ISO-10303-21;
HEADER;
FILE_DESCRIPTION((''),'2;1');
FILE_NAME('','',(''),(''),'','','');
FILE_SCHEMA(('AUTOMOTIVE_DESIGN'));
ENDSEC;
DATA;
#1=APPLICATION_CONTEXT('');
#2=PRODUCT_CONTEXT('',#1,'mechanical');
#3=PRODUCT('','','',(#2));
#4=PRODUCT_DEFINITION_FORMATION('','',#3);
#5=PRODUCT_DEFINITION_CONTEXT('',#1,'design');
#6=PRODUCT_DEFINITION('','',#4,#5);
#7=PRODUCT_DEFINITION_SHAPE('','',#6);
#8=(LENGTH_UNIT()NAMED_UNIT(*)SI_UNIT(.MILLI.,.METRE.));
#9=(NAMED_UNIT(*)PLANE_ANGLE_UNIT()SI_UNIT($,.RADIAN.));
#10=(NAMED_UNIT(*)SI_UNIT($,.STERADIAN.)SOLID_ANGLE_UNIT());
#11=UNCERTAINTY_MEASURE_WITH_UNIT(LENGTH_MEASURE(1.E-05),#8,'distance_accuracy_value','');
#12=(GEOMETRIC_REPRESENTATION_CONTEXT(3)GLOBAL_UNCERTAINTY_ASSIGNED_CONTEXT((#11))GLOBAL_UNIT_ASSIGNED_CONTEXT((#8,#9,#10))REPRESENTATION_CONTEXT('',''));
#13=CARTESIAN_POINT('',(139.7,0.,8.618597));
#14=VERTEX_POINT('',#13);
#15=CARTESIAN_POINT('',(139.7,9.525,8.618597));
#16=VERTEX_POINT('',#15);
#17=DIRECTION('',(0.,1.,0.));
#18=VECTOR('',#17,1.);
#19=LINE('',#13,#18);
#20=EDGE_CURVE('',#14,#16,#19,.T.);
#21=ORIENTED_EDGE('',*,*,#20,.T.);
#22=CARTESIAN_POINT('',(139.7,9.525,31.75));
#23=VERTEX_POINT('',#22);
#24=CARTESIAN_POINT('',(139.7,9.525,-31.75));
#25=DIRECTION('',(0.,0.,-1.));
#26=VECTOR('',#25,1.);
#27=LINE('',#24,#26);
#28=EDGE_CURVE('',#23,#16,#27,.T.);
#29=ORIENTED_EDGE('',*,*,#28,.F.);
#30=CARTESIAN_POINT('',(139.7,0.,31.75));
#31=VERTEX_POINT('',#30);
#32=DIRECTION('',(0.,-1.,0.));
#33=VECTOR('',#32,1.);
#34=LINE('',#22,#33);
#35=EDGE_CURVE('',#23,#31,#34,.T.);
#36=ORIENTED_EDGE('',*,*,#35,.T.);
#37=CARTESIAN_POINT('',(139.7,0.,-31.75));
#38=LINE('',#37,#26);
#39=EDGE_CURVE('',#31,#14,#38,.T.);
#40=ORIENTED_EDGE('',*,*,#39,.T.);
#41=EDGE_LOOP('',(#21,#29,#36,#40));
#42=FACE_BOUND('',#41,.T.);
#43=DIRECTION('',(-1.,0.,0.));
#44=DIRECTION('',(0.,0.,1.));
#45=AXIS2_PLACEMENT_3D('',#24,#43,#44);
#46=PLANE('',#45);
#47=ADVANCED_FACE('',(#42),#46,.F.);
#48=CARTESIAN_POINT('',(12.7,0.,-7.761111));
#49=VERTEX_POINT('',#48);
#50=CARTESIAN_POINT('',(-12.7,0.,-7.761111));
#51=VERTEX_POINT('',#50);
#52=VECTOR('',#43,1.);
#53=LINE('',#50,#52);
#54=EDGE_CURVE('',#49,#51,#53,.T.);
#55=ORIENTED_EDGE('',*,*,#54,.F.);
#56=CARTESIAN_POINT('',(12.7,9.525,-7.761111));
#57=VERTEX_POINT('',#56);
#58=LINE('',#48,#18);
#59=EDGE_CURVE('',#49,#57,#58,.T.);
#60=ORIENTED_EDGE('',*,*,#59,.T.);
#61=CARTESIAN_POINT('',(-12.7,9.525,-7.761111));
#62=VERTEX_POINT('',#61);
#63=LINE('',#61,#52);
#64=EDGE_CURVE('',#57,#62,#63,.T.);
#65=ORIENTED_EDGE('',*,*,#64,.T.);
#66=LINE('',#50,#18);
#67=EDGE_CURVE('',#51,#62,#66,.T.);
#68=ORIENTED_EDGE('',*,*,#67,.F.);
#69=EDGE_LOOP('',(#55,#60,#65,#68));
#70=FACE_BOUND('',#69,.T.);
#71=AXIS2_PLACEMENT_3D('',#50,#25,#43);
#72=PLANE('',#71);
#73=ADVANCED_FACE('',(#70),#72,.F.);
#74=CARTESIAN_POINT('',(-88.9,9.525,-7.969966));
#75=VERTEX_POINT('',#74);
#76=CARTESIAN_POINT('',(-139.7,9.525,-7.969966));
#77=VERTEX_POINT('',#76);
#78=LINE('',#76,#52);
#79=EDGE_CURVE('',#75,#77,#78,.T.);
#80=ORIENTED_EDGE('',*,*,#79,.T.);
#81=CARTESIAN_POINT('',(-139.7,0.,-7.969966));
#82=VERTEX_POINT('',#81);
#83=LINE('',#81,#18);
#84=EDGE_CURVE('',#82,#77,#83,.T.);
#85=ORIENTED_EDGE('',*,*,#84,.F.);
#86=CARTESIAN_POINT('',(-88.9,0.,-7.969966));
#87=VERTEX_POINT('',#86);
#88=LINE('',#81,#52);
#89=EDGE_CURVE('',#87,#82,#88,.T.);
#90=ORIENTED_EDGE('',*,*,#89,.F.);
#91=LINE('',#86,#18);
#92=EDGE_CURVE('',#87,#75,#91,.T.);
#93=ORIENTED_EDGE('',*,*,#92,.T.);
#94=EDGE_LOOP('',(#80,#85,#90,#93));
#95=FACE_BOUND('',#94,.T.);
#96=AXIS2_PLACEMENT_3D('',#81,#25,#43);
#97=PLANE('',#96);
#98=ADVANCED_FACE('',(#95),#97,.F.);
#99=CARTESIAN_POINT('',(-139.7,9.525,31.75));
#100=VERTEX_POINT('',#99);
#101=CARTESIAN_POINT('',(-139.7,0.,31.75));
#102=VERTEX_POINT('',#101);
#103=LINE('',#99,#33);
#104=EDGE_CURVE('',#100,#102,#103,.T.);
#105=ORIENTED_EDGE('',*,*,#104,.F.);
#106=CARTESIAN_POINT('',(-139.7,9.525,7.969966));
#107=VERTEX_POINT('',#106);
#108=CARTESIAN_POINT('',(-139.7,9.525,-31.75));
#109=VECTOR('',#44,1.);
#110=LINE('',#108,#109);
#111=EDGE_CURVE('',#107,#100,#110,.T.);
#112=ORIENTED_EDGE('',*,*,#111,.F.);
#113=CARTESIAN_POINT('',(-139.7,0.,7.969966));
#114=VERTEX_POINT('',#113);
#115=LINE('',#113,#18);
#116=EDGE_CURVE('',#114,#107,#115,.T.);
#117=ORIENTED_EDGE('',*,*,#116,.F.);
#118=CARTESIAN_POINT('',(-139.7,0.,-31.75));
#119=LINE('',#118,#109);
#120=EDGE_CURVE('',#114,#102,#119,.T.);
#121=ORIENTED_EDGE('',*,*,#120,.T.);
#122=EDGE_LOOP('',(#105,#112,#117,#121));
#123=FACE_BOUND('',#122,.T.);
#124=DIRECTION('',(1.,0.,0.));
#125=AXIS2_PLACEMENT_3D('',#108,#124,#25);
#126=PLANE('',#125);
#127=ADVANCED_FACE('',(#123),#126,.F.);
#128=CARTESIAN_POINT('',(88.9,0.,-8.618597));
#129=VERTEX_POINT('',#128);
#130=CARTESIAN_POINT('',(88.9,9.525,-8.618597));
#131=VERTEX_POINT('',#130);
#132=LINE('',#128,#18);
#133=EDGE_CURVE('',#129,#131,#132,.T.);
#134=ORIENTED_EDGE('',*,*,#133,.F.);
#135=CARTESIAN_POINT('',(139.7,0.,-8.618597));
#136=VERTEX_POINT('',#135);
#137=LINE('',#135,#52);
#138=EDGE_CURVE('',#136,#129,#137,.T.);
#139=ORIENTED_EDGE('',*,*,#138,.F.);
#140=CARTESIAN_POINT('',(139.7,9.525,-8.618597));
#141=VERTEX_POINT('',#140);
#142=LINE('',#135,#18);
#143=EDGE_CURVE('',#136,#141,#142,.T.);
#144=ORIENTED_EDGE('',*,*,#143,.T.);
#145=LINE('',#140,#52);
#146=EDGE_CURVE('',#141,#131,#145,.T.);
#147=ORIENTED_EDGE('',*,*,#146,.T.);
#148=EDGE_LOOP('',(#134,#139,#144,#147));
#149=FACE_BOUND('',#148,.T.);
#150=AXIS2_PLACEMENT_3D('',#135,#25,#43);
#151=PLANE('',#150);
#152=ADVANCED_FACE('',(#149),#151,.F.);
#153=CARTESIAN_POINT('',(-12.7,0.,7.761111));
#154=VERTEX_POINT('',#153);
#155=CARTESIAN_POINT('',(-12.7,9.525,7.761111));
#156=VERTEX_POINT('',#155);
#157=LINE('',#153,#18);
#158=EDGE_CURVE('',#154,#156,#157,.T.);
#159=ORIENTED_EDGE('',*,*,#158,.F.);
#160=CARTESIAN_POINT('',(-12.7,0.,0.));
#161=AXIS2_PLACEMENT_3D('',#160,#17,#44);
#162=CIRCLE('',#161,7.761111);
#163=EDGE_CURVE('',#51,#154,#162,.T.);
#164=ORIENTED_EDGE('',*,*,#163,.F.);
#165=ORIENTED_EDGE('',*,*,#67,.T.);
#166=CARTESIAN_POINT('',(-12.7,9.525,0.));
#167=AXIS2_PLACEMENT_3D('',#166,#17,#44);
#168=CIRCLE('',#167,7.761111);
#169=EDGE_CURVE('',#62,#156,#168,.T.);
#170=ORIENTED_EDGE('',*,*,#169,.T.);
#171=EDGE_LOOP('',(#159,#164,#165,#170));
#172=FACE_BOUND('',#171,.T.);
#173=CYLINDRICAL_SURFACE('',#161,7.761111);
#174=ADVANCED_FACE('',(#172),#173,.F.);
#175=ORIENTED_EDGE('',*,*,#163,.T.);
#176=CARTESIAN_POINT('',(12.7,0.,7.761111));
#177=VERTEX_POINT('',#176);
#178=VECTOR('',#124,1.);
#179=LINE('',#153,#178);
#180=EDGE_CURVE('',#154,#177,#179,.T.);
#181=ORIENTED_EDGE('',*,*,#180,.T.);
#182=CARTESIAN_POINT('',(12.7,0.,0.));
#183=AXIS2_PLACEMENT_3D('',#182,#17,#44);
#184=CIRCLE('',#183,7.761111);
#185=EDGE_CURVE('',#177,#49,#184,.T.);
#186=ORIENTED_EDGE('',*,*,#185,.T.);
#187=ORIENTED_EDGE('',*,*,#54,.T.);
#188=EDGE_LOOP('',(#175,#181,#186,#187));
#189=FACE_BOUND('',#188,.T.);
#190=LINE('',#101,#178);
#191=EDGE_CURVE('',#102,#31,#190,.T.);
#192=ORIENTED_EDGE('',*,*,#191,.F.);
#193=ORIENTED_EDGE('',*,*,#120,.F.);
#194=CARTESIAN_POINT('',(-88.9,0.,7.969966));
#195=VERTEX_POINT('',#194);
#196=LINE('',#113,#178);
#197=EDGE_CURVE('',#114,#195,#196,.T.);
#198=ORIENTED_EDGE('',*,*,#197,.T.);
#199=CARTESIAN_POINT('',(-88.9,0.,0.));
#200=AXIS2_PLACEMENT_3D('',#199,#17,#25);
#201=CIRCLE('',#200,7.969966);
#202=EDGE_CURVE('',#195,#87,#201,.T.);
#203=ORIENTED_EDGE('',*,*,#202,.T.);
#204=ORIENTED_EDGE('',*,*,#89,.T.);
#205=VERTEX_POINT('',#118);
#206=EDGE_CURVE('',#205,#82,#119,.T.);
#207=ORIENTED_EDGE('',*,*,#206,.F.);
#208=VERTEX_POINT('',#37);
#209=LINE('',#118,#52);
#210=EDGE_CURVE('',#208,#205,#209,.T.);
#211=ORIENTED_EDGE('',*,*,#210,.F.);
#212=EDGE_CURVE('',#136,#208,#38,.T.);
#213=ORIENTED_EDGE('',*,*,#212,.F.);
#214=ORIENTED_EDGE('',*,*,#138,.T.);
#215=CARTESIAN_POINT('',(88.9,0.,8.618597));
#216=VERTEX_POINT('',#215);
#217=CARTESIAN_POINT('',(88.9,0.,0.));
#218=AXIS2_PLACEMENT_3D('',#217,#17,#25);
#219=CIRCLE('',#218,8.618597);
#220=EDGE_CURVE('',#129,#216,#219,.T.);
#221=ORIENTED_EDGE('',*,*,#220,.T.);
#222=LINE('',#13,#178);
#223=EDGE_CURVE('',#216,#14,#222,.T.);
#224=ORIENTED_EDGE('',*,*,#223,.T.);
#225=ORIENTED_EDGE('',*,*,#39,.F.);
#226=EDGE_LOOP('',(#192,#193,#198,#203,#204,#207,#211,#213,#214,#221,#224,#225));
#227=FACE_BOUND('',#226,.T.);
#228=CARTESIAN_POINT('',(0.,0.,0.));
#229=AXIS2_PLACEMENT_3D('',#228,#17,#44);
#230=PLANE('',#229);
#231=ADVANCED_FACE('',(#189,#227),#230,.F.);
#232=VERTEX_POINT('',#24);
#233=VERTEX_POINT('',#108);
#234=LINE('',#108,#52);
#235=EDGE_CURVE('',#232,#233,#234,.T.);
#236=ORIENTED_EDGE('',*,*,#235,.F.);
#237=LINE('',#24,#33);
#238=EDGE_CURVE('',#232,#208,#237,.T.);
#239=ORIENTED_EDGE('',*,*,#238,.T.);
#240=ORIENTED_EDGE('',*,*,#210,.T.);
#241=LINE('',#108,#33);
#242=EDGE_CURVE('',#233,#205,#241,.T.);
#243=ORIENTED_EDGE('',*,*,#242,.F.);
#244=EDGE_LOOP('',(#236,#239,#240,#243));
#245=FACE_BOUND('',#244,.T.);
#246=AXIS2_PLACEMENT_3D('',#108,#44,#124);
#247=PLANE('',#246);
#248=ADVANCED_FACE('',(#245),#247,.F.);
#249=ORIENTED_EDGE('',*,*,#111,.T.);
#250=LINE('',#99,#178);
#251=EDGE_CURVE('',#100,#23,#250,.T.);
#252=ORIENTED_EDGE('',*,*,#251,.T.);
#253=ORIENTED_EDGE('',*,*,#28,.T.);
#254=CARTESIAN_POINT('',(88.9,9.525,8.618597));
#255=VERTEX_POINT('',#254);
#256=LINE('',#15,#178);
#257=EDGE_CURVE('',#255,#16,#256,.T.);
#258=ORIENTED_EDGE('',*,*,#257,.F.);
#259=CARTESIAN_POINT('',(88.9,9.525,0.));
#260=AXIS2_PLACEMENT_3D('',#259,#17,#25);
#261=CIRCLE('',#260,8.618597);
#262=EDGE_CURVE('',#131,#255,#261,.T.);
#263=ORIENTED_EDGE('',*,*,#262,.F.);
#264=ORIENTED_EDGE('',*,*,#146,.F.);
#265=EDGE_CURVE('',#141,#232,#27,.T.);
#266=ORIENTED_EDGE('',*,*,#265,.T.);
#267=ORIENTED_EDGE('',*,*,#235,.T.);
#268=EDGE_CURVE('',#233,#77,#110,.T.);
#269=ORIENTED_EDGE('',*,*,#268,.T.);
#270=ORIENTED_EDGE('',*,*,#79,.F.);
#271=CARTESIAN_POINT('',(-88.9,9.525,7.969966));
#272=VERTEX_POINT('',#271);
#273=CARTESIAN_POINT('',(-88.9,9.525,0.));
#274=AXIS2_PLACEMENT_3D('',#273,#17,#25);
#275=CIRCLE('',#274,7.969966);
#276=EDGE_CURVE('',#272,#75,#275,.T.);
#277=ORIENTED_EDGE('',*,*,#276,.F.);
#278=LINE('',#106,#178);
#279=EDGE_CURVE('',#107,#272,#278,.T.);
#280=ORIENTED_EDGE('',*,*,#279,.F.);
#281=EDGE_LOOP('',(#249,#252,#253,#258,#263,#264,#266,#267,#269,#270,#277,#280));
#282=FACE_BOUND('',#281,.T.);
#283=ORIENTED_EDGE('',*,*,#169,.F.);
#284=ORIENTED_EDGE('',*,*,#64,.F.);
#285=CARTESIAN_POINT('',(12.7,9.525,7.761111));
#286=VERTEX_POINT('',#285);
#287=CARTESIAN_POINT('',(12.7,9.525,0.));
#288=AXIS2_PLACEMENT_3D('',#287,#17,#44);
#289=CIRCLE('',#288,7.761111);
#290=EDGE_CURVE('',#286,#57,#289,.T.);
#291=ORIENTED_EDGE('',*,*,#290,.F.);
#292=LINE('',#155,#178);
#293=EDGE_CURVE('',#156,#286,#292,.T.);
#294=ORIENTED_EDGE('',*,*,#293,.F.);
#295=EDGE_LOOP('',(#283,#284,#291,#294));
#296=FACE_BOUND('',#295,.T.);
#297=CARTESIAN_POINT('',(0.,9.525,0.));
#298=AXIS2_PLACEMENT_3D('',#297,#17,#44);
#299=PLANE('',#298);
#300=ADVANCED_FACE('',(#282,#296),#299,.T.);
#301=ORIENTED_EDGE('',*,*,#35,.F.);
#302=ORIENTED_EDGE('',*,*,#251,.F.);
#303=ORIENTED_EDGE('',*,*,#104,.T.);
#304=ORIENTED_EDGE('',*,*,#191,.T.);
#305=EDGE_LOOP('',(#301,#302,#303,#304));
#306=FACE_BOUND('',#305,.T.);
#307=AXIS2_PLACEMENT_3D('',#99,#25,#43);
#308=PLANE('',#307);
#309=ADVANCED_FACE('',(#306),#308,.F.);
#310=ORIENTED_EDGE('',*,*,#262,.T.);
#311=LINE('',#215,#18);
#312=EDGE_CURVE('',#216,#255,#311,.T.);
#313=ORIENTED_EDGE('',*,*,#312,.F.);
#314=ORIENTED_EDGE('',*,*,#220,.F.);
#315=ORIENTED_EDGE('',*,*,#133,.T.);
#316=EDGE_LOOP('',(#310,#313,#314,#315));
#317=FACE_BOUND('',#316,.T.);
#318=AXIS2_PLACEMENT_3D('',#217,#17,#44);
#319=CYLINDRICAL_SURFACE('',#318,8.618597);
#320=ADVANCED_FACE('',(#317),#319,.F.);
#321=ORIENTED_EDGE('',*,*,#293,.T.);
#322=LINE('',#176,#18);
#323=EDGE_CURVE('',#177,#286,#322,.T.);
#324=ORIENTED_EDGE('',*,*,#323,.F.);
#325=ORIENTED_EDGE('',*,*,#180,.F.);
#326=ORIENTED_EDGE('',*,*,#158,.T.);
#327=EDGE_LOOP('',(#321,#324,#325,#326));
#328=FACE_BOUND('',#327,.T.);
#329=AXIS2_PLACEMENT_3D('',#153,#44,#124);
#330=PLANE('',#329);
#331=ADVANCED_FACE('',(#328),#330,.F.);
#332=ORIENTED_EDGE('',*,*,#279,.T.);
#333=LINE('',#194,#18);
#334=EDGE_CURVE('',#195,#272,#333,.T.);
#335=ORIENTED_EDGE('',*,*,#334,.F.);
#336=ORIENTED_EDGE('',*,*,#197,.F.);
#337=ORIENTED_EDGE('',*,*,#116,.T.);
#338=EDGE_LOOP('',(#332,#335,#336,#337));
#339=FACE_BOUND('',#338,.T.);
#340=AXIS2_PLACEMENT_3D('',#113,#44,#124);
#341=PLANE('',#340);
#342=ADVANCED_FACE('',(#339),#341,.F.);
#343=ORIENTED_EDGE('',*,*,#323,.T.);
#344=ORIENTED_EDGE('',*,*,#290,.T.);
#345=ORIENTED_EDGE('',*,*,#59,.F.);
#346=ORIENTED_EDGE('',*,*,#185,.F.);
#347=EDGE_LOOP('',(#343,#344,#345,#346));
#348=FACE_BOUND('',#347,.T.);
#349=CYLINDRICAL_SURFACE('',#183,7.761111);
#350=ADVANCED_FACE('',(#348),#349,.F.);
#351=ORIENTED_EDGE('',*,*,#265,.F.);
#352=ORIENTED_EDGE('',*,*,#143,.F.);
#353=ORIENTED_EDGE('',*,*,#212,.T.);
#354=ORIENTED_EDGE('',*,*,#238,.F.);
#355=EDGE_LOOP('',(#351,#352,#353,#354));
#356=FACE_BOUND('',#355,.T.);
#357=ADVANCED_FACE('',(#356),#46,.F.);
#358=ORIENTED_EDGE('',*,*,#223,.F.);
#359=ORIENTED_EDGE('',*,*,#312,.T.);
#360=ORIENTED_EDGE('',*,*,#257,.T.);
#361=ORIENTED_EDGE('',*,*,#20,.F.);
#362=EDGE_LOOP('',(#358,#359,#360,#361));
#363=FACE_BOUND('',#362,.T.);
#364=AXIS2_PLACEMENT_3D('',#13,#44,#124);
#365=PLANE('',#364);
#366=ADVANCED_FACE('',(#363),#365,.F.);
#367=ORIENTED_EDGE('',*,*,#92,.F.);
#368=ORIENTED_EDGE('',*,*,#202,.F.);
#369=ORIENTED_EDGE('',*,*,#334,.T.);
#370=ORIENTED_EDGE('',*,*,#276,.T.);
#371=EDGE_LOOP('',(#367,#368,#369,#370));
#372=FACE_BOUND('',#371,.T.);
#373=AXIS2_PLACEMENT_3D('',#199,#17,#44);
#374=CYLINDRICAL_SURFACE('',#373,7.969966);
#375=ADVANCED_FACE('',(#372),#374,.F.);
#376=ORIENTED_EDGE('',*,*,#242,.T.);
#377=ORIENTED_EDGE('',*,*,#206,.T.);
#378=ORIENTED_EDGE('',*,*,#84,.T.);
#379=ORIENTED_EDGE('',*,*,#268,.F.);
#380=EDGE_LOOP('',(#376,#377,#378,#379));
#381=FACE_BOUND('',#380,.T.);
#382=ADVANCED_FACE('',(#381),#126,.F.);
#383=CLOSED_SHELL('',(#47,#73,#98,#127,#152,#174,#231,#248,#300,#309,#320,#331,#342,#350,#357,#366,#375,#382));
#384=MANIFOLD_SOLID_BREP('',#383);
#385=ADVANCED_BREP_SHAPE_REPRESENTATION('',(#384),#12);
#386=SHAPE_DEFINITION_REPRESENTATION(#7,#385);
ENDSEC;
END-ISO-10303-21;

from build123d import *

# Parameters (mm, degrees)
SKETCH1_W           = 279.4
SKETCH1_H           = 63.5
BOSS_EXTRUDE1_DEPTH = 9.525
CUT_EXTRUDE5_DEPTH  = 10.525
CUT_EXTRUDE7_DEPTH  = 10.525
CUT_EXTRUDE8_DEPTH  = 10.525


with BuildPart() as part:
    # Sketch1 → Boss-Extrude1 (new body)
    with BuildSketch(Plane(origin=(0, 0, 0), x_dir=(1, 0, 0), z_dir=(0, 1, 0))):
        Rectangle(SKETCH1_W, SKETCH1_H)
    extrude(amount=BOSS_EXTRUDE1_DEPTH)

    # Sketch9 → Cut-Extrude5 (cut, through all)
    with BuildSketch(Plane(origin=(0, 9.525, 0), x_dir=(1, 0, 0), z_dir=(0, 1, 0))):
        with BuildLine():
            Line((-139.7, 7.969965865), (-88.9, 7.969965865))
            ThreePointArc((-88.9, 7.969965865), (-80.930034135, 0), (-88.9, -7.969965865))
            Line((-88.9, -7.969965865), (-139.7, -7.969965865))
            Line((-139.7, -7.969965865), (-139.7, 7.969965865))
        make_face()
    extrude(amount=-CUT_EXTRUDE5_DEPTH, mode=Mode.SUBTRACT)

    # Sketch12 → Cut-Extrude7 (cut, through all)
    with BuildSketch(Plane(origin=(0, 9.525, 0), x_dir=(1, 0, 0), z_dir=(0, 1, 0))):
        with BuildLine():
            Line((139.7, -8.618596636), (88.9, -8.618596636))
            ThreePointArc((88.9, -8.618596636), (80.281403364, 0), (88.9, 8.618596636))
            Line((88.9, 8.618596636), (139.7, 8.618596636))
            Line((139.7, 8.618596636), (139.7, -8.618596636))
        make_face()
    extrude(amount=-CUT_EXTRUDE7_DEPTH, mode=Mode.SUBTRACT)

    # Sketch13 → Cut-Extrude8 (cut, through all)
    with BuildSketch(Plane(origin=(0, 9.525, 0), x_dir=(1, 0, 0), z_dir=(0, 1, 0))):
        with BuildLine():
            Line((-12.7, 7.761111111), (12.7, 7.761111111))
            ThreePointArc((12.7, 7.761111111), (20.461111111, 0), (12.7, -7.761111111))
            Line((12.7, -7.761111111), (-12.7, -7.761111111))
            ThreePointArc((-12.7, -7.761111111), (-20.461111111, 0), (-12.7, 7.761111111))
        make_face()
    extrude(amount=-CUT_EXTRUDE8_DEPTH, mode=Mode.SUBTRACT)


solid = part.part
